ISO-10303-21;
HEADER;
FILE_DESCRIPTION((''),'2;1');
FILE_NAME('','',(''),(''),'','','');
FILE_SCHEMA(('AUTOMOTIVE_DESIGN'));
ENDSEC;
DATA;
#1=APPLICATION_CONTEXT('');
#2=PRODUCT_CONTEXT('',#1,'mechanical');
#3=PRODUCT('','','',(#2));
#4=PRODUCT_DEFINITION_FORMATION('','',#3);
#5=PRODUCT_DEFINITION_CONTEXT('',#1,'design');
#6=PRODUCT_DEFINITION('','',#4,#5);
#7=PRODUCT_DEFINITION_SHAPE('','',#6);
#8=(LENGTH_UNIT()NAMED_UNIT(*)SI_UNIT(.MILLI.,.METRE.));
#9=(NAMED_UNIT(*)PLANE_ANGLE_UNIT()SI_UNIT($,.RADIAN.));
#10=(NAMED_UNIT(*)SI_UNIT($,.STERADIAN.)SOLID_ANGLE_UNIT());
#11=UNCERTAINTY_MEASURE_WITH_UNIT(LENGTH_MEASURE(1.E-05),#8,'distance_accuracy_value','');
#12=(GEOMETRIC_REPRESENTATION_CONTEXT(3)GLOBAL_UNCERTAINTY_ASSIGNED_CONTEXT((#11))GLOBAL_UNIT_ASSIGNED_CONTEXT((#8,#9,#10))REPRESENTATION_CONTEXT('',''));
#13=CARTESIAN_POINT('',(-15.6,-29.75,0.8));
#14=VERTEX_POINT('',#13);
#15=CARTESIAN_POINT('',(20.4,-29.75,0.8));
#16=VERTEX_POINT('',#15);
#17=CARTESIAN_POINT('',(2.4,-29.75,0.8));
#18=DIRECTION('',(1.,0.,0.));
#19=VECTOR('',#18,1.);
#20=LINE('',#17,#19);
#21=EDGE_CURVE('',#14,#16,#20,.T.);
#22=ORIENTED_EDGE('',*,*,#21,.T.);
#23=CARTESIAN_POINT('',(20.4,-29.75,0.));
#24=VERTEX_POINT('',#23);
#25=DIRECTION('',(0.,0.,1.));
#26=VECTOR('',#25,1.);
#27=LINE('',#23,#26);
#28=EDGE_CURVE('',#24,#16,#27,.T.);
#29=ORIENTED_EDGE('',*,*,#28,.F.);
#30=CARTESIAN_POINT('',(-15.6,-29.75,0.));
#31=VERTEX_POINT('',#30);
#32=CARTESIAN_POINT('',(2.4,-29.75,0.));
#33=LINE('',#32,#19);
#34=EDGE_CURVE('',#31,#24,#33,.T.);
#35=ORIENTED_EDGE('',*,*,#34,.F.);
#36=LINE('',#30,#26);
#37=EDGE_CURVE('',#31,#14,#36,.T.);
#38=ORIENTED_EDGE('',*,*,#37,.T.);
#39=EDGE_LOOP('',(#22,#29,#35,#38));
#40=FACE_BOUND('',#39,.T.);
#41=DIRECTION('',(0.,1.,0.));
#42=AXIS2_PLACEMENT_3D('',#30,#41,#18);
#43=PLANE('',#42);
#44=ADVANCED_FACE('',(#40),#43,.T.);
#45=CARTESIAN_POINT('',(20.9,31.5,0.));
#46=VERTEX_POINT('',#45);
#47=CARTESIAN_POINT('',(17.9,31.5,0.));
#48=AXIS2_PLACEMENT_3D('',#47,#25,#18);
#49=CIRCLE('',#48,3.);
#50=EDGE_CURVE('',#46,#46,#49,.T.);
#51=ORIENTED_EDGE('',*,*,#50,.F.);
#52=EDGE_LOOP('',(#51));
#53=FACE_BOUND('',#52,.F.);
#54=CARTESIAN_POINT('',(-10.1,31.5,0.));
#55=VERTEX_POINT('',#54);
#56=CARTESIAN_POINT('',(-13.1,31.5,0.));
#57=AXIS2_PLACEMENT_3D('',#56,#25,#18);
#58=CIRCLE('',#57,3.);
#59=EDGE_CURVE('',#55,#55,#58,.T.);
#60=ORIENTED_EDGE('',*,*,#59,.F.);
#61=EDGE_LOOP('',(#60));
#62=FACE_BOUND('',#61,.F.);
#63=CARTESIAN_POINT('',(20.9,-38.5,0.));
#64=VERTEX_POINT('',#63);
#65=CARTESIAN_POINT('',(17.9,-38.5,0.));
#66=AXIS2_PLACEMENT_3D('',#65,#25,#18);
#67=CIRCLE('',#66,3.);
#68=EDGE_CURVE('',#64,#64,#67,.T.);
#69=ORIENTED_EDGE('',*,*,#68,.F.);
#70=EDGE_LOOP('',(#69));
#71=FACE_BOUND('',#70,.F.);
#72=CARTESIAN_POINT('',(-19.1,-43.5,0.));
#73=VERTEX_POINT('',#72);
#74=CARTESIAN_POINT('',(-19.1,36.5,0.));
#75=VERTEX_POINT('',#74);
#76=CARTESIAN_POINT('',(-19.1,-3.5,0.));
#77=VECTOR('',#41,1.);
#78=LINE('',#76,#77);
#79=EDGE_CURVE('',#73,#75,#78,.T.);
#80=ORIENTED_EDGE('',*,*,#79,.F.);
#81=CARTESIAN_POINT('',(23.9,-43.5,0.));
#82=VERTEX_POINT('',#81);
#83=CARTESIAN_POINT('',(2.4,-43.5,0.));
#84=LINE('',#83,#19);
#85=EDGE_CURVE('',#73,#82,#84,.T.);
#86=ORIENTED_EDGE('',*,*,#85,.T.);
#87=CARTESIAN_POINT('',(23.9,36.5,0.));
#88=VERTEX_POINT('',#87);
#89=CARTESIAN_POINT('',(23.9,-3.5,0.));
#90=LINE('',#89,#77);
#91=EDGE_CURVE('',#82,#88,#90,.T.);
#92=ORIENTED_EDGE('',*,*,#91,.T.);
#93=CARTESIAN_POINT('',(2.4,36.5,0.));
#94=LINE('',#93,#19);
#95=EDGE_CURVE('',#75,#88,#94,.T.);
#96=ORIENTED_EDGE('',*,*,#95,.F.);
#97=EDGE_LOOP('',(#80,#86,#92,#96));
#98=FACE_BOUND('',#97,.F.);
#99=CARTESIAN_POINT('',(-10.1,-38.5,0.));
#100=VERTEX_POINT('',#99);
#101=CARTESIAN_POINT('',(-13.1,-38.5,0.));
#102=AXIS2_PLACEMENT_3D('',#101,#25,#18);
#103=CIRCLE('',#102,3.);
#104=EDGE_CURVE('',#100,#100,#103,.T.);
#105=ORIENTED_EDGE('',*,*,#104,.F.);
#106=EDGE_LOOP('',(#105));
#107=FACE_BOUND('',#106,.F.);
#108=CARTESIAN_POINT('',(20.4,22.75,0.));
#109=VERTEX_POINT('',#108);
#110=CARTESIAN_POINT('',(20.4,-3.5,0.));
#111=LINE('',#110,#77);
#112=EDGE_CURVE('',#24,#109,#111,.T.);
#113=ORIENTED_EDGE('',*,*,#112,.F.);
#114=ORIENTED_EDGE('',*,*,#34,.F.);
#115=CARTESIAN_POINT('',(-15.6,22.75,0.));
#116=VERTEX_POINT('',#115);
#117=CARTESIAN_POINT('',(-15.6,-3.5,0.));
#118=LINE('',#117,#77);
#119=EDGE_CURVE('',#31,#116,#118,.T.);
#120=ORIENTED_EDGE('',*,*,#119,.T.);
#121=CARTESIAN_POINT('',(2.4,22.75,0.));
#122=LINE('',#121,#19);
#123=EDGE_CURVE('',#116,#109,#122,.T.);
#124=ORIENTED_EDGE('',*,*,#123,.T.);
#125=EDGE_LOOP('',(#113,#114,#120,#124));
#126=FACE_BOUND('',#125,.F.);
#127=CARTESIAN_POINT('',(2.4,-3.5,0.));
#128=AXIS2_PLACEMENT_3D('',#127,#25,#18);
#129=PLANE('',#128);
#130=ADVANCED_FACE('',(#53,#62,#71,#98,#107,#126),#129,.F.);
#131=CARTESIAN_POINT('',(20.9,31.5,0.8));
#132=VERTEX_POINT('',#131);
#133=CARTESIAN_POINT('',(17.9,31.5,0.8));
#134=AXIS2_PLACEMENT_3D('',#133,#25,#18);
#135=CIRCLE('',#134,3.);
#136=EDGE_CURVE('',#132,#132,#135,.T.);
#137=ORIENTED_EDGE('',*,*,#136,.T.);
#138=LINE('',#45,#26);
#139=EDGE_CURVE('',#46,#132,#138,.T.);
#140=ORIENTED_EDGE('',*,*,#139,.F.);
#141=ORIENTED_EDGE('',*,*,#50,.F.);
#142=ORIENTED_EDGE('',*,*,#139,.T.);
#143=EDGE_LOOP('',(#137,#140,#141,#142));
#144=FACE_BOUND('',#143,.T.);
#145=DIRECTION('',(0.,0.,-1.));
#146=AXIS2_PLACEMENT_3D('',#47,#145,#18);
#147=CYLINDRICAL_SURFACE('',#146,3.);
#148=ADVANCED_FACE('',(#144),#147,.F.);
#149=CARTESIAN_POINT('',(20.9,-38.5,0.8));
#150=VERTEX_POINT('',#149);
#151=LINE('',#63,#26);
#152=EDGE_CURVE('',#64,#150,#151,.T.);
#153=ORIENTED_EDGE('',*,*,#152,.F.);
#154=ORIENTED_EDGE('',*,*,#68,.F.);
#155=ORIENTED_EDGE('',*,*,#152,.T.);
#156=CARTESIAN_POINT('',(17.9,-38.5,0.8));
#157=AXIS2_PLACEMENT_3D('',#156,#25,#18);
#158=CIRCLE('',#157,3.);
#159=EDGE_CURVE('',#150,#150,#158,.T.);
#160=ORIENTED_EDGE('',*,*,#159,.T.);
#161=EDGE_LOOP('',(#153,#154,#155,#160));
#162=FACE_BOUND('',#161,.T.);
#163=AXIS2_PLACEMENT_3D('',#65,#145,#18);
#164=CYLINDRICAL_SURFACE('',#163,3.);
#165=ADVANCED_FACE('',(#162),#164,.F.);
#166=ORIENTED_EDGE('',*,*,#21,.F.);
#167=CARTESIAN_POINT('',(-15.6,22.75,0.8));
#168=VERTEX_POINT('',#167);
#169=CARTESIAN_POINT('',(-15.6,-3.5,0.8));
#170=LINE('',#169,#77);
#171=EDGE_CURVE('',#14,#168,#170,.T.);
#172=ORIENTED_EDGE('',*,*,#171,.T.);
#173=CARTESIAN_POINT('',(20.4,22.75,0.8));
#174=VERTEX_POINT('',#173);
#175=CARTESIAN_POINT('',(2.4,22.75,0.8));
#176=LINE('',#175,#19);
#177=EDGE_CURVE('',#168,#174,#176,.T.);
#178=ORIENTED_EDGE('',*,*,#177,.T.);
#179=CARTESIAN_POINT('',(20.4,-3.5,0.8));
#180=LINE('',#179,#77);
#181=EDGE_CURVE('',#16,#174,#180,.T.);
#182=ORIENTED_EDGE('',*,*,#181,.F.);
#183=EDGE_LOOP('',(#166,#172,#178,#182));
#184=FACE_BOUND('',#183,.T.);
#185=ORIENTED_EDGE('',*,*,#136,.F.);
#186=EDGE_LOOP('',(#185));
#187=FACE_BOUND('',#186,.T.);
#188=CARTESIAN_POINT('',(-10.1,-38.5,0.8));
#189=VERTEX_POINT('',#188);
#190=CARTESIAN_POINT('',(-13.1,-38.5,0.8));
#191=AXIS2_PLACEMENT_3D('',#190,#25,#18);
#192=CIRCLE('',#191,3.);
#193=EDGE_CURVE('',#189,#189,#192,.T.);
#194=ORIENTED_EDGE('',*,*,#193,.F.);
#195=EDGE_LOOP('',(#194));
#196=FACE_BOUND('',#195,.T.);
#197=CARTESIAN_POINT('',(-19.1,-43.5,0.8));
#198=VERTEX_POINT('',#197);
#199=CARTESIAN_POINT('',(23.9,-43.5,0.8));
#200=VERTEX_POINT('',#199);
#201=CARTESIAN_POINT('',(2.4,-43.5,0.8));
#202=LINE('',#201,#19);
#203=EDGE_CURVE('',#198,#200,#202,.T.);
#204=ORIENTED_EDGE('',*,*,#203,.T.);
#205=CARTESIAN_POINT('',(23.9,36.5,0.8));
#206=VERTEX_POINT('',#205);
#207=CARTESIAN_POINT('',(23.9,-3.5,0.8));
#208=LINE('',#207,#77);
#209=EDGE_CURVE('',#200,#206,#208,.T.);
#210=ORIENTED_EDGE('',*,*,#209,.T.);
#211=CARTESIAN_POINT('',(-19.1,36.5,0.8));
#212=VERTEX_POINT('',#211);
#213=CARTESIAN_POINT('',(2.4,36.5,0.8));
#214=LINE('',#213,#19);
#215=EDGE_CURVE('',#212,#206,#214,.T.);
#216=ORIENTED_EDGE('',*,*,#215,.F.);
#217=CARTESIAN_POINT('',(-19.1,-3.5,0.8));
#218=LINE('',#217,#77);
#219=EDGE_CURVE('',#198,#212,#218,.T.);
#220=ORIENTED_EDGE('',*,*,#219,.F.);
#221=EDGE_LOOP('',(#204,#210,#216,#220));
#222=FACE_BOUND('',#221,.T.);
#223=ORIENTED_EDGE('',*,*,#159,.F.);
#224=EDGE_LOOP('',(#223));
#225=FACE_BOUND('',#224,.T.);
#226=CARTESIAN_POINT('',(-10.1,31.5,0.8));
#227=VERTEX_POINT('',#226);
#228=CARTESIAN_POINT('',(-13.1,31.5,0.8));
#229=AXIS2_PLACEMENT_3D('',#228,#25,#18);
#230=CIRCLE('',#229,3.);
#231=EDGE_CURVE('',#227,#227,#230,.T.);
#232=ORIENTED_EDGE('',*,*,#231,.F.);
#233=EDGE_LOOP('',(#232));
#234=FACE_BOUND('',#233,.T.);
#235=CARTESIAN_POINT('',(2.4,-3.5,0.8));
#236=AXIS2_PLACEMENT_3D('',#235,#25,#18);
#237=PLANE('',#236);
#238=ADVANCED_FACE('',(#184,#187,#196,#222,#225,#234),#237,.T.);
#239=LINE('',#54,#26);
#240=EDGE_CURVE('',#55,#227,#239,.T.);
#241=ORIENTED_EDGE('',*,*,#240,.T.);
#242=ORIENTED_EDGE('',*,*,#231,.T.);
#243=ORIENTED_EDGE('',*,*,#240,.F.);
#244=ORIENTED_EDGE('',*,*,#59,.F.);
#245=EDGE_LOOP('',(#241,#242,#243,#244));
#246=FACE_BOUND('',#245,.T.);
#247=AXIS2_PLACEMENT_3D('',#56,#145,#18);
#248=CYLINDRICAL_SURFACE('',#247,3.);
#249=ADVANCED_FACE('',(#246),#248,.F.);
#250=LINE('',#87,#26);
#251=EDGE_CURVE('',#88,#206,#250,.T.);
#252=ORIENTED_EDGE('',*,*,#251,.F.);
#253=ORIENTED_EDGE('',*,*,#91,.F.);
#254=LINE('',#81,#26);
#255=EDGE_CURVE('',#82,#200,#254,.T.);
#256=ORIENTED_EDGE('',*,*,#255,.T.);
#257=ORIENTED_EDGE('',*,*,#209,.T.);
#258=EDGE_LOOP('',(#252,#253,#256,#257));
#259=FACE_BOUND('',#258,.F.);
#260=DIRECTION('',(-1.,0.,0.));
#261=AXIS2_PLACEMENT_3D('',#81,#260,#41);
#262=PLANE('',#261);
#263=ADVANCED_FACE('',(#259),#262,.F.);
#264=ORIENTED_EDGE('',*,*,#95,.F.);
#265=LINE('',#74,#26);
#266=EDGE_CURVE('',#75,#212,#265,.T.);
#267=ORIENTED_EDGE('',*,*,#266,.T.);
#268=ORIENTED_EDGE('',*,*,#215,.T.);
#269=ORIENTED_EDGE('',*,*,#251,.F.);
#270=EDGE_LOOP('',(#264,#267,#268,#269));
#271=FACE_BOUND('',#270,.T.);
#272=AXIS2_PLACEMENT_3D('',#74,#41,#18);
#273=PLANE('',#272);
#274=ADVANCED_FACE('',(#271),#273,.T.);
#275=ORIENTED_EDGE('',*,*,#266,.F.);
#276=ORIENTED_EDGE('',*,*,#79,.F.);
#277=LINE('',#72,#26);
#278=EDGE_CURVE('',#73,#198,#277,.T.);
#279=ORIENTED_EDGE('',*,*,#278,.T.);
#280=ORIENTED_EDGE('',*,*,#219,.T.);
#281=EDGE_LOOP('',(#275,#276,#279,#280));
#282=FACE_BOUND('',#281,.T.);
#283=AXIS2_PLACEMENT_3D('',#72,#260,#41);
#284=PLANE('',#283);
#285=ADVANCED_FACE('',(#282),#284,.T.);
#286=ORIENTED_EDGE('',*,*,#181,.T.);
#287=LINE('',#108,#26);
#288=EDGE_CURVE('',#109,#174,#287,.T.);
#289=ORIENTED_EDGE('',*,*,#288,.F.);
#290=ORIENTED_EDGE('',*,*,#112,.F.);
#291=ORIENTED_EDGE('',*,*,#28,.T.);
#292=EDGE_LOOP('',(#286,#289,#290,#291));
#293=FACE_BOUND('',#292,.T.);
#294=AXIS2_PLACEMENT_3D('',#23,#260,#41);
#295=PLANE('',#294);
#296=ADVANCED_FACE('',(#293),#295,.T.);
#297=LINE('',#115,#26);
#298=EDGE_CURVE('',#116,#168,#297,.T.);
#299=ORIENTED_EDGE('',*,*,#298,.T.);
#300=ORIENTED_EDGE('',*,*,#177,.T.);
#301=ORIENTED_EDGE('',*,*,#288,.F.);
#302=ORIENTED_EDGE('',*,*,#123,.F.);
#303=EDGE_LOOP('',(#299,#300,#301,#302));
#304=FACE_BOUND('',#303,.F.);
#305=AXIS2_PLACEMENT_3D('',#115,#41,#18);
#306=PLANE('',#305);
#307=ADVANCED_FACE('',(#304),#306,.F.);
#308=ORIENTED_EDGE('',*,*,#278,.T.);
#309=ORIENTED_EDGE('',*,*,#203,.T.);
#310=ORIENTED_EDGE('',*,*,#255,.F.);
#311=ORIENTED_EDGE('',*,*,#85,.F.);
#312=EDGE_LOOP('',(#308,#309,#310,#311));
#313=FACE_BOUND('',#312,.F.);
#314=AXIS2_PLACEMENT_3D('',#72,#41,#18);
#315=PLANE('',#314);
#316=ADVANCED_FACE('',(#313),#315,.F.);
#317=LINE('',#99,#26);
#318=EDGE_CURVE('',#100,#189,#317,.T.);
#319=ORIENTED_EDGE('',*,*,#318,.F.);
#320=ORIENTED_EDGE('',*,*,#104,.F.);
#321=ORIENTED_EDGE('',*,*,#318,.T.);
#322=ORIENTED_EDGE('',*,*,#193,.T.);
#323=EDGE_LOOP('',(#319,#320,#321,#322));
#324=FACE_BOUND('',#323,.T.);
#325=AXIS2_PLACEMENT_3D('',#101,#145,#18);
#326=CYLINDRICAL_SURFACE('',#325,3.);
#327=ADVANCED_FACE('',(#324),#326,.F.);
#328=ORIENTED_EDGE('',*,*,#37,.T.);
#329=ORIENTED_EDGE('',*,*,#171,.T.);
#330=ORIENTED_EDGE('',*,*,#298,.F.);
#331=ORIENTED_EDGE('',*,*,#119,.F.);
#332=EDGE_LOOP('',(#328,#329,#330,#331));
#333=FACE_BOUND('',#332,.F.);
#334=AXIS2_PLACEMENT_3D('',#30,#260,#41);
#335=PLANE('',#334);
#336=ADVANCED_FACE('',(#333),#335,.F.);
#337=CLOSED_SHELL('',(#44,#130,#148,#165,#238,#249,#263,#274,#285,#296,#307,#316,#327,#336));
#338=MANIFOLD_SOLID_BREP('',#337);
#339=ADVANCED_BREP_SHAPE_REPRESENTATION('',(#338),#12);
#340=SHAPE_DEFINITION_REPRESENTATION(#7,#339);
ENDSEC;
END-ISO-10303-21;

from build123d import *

# Parameters (mm, degrees)
F0_W     = 43
F0_H     = 80
F0_R     = 3
F0_W_2   = 36
F0_H_2   = 52.5
F1_DEPTH = 0.8


with BuildPart() as f1:
    # F0 (on Top) → F1 (new body)
    with BuildSketch(Plane.XY):
        with Locations((2.4, -3.5)):
            Rectangle(F0_W, F0_H)
        with Locations((-13.1, -38.5)):
            Circle(F0_R, mode=Mode.SUBTRACT)
        with Locations((17.9, -38.5)):
            Circle(F0_R, mode=Mode.SUBTRACT)
        with Locations((-13.1, 31.5)):
            Circle(F0_R, mode=Mode.SUBTRACT)
        with Locations((2.4, -3.5)):
            Rectangle(F0_W_2, F0_H_2, mode=Mode.SUBTRACT)
        with Locations((17.9, 31.5)):
            Circle(F0_R, mode=Mode.SUBTRACT)
    extrude(amount=F1_DEPTH)


solid = f1.part
